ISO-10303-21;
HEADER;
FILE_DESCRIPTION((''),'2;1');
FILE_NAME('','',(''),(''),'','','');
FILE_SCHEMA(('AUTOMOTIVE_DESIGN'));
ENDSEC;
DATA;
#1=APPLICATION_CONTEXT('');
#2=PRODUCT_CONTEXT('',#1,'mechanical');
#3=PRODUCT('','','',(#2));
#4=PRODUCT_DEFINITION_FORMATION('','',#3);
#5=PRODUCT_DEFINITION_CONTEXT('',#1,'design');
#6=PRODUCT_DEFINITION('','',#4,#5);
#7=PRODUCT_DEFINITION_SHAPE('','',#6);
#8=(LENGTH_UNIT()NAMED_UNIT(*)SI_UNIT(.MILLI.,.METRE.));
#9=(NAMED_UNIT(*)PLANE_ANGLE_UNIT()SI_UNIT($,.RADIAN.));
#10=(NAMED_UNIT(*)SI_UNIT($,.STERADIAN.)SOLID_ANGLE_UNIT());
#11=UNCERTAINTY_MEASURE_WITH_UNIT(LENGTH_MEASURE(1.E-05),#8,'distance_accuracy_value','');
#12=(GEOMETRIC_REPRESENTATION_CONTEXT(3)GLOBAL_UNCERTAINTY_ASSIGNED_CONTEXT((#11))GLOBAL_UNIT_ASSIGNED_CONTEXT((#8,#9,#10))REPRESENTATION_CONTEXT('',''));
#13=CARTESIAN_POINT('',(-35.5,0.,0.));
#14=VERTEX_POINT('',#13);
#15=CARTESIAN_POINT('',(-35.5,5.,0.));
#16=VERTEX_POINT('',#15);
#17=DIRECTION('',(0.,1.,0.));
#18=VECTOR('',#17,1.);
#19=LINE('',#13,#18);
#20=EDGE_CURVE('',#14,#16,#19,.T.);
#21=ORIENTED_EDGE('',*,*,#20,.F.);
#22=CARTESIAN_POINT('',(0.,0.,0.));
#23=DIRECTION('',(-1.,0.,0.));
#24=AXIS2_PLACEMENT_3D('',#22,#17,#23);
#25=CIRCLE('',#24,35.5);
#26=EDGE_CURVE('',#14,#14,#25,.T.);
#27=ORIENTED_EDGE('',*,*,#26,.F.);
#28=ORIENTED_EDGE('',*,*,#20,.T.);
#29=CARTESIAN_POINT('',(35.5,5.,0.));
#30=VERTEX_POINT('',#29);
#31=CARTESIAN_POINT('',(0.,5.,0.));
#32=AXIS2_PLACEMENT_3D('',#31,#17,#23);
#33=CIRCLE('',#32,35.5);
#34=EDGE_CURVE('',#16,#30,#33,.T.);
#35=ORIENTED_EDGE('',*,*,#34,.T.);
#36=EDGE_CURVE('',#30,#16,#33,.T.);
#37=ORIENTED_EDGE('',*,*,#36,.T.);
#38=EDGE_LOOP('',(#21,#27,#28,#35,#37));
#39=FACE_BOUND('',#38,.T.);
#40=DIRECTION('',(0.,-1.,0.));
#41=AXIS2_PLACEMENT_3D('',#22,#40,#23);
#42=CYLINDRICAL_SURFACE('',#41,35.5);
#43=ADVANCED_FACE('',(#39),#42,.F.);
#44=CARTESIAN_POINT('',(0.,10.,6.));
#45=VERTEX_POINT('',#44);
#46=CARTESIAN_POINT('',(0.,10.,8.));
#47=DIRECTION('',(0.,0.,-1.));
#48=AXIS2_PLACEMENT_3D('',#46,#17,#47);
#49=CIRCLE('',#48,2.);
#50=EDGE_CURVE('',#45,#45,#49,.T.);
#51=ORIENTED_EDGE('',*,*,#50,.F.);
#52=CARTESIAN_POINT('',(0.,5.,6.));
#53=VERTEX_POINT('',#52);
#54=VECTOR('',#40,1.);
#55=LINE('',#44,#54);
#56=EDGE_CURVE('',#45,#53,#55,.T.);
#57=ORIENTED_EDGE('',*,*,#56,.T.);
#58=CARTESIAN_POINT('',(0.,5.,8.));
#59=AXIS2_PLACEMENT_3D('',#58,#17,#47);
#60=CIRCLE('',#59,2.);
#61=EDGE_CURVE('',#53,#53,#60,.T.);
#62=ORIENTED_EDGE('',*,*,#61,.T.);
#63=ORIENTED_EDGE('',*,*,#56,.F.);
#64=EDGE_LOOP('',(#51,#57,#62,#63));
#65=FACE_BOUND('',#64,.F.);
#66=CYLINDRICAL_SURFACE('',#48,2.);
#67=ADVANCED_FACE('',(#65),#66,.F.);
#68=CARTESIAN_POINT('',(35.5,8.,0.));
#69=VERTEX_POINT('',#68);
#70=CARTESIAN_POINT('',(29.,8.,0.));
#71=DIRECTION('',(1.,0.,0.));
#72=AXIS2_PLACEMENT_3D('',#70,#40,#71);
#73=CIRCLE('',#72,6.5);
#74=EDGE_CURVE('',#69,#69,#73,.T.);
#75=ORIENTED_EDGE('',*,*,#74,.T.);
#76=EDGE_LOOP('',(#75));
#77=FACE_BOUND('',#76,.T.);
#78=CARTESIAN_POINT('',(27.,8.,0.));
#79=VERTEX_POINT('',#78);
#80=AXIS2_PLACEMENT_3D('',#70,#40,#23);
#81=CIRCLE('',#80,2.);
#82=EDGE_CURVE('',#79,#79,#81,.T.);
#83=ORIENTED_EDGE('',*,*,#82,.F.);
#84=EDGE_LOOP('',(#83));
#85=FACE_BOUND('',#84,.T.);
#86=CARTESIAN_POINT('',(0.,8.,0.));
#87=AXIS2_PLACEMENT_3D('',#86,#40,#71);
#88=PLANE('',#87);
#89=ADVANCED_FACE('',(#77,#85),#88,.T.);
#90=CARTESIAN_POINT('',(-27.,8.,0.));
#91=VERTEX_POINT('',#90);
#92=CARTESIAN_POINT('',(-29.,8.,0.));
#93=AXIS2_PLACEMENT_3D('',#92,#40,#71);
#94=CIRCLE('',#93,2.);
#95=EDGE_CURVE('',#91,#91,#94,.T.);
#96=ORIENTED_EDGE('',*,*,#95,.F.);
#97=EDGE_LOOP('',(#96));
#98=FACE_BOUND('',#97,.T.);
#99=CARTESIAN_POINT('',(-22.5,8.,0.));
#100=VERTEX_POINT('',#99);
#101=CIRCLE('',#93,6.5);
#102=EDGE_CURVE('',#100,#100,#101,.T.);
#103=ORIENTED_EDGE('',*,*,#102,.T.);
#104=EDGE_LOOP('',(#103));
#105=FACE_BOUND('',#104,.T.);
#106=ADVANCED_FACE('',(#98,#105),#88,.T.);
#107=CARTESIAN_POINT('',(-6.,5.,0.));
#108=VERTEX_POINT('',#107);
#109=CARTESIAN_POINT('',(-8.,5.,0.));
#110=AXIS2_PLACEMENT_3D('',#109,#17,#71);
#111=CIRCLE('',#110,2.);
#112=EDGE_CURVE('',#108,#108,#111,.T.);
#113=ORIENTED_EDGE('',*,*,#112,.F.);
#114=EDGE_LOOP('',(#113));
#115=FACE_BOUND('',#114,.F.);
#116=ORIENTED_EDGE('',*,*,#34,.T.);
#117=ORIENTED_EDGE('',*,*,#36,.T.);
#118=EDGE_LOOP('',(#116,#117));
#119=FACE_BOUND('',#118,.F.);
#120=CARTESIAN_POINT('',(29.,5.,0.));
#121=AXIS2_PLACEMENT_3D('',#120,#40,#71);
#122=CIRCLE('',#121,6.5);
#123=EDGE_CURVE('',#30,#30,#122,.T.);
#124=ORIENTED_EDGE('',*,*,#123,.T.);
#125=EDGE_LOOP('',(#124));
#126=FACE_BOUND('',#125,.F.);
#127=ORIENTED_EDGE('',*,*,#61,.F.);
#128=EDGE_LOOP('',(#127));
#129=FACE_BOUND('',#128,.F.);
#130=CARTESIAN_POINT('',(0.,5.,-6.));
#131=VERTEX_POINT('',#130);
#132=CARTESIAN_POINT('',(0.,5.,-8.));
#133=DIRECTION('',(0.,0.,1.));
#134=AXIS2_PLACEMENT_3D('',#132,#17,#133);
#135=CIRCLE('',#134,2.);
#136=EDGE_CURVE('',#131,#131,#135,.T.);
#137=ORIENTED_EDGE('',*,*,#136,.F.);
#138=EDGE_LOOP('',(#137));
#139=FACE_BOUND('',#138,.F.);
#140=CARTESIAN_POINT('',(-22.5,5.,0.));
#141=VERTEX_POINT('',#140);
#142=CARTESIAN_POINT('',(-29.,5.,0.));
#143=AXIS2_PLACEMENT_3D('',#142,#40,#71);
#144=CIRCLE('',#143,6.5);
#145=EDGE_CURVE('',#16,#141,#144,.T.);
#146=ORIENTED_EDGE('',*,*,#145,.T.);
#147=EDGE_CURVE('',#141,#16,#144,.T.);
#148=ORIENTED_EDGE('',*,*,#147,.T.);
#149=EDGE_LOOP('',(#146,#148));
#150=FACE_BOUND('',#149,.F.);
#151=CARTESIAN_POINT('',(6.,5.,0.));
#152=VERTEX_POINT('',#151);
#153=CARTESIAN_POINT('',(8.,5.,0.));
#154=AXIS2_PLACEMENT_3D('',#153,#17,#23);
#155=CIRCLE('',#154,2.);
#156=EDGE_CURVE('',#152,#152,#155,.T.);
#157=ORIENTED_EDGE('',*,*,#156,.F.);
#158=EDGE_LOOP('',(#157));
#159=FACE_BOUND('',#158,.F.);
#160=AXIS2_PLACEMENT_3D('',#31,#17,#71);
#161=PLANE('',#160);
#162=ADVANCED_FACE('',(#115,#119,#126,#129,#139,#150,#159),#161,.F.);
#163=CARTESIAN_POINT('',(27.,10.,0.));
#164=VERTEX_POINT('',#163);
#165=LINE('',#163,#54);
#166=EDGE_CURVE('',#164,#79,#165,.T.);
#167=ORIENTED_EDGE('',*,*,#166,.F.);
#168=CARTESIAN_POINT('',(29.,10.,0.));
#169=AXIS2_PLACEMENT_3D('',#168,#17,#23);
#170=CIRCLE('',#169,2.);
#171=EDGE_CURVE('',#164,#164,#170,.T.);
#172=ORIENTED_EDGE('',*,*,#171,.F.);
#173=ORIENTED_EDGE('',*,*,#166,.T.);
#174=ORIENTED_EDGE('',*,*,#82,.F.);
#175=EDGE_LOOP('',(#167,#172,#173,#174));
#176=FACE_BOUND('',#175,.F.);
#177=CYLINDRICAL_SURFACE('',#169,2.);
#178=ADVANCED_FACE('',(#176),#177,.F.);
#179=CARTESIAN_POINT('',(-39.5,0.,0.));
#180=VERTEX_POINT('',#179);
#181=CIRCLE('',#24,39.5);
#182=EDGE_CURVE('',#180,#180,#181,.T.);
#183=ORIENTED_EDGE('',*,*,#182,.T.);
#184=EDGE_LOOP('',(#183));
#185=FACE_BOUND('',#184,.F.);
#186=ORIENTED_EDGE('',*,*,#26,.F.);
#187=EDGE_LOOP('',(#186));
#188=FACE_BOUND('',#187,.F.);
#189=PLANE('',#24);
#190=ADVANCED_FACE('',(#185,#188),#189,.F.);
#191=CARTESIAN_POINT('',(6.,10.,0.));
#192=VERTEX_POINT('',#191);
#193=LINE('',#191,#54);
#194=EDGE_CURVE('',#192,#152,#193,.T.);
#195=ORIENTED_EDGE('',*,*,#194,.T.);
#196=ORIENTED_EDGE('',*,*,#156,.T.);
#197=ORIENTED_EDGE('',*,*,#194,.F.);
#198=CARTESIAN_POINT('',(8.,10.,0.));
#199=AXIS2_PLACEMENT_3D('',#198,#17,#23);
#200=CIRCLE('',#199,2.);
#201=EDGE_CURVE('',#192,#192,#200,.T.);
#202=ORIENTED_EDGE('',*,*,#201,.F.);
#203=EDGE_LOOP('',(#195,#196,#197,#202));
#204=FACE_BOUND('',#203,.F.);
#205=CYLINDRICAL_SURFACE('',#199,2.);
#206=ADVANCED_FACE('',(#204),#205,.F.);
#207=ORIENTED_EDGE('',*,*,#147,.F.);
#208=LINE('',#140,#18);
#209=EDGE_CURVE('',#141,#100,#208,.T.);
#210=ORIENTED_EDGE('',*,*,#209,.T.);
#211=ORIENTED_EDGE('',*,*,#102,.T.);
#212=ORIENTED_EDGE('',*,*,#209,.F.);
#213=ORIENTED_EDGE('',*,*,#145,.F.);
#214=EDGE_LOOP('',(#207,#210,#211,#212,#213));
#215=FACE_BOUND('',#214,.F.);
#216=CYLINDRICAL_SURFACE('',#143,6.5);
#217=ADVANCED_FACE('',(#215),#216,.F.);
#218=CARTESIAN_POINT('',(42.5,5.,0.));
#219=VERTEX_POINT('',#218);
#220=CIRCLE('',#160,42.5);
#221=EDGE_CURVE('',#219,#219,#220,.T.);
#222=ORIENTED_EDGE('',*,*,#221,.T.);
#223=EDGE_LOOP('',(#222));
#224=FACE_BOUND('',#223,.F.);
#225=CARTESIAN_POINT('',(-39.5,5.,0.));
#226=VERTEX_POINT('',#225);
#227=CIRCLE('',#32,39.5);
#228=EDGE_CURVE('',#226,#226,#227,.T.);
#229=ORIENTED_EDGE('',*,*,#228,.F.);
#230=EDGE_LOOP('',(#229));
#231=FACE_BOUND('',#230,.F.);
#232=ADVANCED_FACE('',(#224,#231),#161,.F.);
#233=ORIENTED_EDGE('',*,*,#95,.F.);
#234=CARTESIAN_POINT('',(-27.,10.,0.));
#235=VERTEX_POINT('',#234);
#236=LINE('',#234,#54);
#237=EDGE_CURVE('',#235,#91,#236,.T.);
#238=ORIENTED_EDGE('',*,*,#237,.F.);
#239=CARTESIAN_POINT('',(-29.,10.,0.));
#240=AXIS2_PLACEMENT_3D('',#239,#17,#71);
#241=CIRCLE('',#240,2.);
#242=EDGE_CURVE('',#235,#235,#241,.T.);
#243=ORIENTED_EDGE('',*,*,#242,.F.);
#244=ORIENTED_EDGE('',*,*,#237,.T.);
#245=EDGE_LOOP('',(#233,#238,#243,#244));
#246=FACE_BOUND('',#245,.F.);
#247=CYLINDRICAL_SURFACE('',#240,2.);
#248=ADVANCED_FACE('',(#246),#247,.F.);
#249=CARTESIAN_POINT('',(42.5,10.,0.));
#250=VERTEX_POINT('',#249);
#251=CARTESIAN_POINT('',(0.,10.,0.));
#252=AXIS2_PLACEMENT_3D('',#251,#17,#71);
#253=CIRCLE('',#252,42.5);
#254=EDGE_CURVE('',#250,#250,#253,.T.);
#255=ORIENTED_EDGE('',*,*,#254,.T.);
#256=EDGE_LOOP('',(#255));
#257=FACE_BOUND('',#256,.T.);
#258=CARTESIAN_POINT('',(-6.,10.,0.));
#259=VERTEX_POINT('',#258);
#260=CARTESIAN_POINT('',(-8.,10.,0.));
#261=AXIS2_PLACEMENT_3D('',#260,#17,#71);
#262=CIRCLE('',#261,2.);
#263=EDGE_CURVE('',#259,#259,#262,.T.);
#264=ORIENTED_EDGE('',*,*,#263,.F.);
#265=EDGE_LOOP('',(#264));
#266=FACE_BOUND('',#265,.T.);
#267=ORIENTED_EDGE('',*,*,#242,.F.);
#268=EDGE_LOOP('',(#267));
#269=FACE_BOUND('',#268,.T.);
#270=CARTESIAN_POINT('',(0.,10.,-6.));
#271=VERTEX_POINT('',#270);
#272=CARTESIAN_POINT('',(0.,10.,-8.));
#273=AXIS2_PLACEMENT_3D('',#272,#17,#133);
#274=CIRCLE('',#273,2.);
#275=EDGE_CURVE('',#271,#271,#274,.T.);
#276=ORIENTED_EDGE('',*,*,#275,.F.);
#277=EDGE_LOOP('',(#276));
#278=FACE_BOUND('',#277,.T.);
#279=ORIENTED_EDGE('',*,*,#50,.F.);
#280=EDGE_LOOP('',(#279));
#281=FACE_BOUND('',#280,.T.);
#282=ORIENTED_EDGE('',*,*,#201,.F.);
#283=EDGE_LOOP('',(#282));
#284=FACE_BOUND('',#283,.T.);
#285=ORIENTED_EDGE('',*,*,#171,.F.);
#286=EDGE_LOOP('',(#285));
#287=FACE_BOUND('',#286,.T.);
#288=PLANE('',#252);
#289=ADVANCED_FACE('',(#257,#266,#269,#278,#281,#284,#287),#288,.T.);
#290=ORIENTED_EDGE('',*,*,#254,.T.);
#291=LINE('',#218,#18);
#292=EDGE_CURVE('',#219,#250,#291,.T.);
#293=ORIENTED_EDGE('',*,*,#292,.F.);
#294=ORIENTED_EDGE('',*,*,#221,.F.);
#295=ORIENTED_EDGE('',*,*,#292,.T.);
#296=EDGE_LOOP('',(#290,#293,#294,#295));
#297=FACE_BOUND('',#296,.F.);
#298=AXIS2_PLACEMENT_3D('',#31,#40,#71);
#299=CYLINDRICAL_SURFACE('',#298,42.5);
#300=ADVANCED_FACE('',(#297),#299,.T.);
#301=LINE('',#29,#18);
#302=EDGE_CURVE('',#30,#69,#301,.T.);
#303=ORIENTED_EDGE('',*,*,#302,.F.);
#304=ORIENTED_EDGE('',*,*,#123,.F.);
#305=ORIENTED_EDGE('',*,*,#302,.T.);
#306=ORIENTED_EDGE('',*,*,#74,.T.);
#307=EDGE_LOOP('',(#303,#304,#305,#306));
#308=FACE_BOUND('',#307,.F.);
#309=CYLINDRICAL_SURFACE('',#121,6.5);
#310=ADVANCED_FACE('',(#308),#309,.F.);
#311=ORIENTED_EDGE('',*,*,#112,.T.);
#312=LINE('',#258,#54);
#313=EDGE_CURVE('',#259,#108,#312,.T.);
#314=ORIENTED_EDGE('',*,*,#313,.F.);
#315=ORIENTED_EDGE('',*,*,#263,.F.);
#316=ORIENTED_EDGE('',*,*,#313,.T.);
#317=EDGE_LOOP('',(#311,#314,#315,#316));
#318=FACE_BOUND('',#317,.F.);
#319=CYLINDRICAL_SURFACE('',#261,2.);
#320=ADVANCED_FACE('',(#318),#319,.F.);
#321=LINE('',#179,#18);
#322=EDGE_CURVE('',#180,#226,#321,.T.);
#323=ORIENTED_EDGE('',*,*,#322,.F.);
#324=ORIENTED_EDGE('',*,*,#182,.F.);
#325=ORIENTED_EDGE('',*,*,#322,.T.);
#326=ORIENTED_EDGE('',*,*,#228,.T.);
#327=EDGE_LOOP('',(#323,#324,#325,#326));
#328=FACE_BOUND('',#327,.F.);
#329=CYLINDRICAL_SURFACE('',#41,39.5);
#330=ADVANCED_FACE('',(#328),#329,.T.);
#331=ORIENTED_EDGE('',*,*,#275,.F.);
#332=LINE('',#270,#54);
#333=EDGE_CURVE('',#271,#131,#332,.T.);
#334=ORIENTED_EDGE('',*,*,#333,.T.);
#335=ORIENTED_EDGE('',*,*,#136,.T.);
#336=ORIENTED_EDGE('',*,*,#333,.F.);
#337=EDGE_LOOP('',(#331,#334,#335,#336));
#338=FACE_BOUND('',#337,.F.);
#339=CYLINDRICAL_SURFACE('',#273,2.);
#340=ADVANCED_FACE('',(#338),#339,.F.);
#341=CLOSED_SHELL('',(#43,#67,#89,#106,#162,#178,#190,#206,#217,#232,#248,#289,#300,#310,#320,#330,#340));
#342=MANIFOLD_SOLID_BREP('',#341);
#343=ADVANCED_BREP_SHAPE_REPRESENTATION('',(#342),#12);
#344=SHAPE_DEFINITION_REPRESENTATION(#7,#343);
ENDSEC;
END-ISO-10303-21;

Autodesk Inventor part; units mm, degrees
ref_plane "YZ Plane" through (0, 0, 0) normal (1, 0, 0) x (0, 1, 0)
ref_plane "XZ Plane" through (0, 0, 0) normal (0, 1, 0) x (-1, 0, 0)
ref_plane "XY Plane" through (0, 0, 0) normal (0, 0, 1) x (1, 0, 0)
sketch "Эскиз1" plane through (0, 0, 0) normal (0, 1, 0) x (-1, 0, 0)
  circle A0 centre (0, 0) radius 39.5
  circle A1 centre (0, 0) radius 35.5
  dimension "d0" = 79
  dimension "d1" = 71
extrude "Выдавливание1" add sketch "Эскиз1" along normal blind 5
sketch "Эскиз2" plane through (0, 5, 0) normal (0, 1, 0) x (1, 0, 0)
  circle A0 centre (0, 0) radius 42.5
  dimension "d4" = 85
extrude "Выдавливание2" add sketch "Эскиз2" along normal blind 5
sketch "Эскиз3" plane through (0, 10, 0) normal (0, 1, 0) x (1, 0, 0)
  line L0 (0, 0) -> (-8, 0)
  circle A0 centre (-8, 0) radius 2
  dimension "d7" = 8
  dimension "d8" = 4
extrude "Выдавливание3" cut sketch "Эскиз3" against normal blind 5
pattern_circular "Круговой массив1" count 4 over 360 about axis through (0, 5, 0) along (0, 1, 0) of "Выдавливание3"
sketch "Эскиз4" plane through (0, 10, 0) normal (0, 1, 0) x (1, 0, 0)
  line L0 (0, 0) -> (-29, 0)
  circle A0 centre (-29, 0) radius 2
  line L1 (0, 0) -> (0, 42.5)
  circle A1 centre (0, 0) radius 42.5 projected
  dimension "d14" = 29
  dimension "d15" = 4
  dimension "d21" = 90
extrude "Выдавливание4" cut sketch "Эскиз4" against normal blind 10 contours A0
pattern_circular "Круговой массив3" count 2 over 360 about axis through (0, 5, 0) along (0, 1, 0) of "Выдавливание4"
sketch "Эскиз5" plane through (0, 5, 0) normal (0, -1, 0) x (1, 0, 0)
  circle A0 centre (29, 0) radius 2 projected
  circle A1 centre (29, 0) radius 6.5
  circle A2 centre (-29, 0) radius 2 projected
  circle A3 centre (-29, 0) radius 6.5
  point P0 (0, 0)
extrude "Выдавливание5" cut sketch "Эскиз5" against normal blind 3
sketch "Эскиз6" plane through (0, 10, 0) normal (0, 1, 0) x (1, 0, 0)
  circle A0 centre (29, 0) radius 2 projected
  circle A1 centre (-29, 0) radius 2 projected
  circle A2 centre (0, 8) radius 2 projected
  circle A3 centre (8, 0) radius 2 projected
  circle A4 centre (0, -8) radius 2 projected
  circle A5 centre (-8, 0) radius 2 projected
  circle A6 centre (0, 0) radius 42.5 projected
properties part number "joint2_rotate_mec_patr2"
